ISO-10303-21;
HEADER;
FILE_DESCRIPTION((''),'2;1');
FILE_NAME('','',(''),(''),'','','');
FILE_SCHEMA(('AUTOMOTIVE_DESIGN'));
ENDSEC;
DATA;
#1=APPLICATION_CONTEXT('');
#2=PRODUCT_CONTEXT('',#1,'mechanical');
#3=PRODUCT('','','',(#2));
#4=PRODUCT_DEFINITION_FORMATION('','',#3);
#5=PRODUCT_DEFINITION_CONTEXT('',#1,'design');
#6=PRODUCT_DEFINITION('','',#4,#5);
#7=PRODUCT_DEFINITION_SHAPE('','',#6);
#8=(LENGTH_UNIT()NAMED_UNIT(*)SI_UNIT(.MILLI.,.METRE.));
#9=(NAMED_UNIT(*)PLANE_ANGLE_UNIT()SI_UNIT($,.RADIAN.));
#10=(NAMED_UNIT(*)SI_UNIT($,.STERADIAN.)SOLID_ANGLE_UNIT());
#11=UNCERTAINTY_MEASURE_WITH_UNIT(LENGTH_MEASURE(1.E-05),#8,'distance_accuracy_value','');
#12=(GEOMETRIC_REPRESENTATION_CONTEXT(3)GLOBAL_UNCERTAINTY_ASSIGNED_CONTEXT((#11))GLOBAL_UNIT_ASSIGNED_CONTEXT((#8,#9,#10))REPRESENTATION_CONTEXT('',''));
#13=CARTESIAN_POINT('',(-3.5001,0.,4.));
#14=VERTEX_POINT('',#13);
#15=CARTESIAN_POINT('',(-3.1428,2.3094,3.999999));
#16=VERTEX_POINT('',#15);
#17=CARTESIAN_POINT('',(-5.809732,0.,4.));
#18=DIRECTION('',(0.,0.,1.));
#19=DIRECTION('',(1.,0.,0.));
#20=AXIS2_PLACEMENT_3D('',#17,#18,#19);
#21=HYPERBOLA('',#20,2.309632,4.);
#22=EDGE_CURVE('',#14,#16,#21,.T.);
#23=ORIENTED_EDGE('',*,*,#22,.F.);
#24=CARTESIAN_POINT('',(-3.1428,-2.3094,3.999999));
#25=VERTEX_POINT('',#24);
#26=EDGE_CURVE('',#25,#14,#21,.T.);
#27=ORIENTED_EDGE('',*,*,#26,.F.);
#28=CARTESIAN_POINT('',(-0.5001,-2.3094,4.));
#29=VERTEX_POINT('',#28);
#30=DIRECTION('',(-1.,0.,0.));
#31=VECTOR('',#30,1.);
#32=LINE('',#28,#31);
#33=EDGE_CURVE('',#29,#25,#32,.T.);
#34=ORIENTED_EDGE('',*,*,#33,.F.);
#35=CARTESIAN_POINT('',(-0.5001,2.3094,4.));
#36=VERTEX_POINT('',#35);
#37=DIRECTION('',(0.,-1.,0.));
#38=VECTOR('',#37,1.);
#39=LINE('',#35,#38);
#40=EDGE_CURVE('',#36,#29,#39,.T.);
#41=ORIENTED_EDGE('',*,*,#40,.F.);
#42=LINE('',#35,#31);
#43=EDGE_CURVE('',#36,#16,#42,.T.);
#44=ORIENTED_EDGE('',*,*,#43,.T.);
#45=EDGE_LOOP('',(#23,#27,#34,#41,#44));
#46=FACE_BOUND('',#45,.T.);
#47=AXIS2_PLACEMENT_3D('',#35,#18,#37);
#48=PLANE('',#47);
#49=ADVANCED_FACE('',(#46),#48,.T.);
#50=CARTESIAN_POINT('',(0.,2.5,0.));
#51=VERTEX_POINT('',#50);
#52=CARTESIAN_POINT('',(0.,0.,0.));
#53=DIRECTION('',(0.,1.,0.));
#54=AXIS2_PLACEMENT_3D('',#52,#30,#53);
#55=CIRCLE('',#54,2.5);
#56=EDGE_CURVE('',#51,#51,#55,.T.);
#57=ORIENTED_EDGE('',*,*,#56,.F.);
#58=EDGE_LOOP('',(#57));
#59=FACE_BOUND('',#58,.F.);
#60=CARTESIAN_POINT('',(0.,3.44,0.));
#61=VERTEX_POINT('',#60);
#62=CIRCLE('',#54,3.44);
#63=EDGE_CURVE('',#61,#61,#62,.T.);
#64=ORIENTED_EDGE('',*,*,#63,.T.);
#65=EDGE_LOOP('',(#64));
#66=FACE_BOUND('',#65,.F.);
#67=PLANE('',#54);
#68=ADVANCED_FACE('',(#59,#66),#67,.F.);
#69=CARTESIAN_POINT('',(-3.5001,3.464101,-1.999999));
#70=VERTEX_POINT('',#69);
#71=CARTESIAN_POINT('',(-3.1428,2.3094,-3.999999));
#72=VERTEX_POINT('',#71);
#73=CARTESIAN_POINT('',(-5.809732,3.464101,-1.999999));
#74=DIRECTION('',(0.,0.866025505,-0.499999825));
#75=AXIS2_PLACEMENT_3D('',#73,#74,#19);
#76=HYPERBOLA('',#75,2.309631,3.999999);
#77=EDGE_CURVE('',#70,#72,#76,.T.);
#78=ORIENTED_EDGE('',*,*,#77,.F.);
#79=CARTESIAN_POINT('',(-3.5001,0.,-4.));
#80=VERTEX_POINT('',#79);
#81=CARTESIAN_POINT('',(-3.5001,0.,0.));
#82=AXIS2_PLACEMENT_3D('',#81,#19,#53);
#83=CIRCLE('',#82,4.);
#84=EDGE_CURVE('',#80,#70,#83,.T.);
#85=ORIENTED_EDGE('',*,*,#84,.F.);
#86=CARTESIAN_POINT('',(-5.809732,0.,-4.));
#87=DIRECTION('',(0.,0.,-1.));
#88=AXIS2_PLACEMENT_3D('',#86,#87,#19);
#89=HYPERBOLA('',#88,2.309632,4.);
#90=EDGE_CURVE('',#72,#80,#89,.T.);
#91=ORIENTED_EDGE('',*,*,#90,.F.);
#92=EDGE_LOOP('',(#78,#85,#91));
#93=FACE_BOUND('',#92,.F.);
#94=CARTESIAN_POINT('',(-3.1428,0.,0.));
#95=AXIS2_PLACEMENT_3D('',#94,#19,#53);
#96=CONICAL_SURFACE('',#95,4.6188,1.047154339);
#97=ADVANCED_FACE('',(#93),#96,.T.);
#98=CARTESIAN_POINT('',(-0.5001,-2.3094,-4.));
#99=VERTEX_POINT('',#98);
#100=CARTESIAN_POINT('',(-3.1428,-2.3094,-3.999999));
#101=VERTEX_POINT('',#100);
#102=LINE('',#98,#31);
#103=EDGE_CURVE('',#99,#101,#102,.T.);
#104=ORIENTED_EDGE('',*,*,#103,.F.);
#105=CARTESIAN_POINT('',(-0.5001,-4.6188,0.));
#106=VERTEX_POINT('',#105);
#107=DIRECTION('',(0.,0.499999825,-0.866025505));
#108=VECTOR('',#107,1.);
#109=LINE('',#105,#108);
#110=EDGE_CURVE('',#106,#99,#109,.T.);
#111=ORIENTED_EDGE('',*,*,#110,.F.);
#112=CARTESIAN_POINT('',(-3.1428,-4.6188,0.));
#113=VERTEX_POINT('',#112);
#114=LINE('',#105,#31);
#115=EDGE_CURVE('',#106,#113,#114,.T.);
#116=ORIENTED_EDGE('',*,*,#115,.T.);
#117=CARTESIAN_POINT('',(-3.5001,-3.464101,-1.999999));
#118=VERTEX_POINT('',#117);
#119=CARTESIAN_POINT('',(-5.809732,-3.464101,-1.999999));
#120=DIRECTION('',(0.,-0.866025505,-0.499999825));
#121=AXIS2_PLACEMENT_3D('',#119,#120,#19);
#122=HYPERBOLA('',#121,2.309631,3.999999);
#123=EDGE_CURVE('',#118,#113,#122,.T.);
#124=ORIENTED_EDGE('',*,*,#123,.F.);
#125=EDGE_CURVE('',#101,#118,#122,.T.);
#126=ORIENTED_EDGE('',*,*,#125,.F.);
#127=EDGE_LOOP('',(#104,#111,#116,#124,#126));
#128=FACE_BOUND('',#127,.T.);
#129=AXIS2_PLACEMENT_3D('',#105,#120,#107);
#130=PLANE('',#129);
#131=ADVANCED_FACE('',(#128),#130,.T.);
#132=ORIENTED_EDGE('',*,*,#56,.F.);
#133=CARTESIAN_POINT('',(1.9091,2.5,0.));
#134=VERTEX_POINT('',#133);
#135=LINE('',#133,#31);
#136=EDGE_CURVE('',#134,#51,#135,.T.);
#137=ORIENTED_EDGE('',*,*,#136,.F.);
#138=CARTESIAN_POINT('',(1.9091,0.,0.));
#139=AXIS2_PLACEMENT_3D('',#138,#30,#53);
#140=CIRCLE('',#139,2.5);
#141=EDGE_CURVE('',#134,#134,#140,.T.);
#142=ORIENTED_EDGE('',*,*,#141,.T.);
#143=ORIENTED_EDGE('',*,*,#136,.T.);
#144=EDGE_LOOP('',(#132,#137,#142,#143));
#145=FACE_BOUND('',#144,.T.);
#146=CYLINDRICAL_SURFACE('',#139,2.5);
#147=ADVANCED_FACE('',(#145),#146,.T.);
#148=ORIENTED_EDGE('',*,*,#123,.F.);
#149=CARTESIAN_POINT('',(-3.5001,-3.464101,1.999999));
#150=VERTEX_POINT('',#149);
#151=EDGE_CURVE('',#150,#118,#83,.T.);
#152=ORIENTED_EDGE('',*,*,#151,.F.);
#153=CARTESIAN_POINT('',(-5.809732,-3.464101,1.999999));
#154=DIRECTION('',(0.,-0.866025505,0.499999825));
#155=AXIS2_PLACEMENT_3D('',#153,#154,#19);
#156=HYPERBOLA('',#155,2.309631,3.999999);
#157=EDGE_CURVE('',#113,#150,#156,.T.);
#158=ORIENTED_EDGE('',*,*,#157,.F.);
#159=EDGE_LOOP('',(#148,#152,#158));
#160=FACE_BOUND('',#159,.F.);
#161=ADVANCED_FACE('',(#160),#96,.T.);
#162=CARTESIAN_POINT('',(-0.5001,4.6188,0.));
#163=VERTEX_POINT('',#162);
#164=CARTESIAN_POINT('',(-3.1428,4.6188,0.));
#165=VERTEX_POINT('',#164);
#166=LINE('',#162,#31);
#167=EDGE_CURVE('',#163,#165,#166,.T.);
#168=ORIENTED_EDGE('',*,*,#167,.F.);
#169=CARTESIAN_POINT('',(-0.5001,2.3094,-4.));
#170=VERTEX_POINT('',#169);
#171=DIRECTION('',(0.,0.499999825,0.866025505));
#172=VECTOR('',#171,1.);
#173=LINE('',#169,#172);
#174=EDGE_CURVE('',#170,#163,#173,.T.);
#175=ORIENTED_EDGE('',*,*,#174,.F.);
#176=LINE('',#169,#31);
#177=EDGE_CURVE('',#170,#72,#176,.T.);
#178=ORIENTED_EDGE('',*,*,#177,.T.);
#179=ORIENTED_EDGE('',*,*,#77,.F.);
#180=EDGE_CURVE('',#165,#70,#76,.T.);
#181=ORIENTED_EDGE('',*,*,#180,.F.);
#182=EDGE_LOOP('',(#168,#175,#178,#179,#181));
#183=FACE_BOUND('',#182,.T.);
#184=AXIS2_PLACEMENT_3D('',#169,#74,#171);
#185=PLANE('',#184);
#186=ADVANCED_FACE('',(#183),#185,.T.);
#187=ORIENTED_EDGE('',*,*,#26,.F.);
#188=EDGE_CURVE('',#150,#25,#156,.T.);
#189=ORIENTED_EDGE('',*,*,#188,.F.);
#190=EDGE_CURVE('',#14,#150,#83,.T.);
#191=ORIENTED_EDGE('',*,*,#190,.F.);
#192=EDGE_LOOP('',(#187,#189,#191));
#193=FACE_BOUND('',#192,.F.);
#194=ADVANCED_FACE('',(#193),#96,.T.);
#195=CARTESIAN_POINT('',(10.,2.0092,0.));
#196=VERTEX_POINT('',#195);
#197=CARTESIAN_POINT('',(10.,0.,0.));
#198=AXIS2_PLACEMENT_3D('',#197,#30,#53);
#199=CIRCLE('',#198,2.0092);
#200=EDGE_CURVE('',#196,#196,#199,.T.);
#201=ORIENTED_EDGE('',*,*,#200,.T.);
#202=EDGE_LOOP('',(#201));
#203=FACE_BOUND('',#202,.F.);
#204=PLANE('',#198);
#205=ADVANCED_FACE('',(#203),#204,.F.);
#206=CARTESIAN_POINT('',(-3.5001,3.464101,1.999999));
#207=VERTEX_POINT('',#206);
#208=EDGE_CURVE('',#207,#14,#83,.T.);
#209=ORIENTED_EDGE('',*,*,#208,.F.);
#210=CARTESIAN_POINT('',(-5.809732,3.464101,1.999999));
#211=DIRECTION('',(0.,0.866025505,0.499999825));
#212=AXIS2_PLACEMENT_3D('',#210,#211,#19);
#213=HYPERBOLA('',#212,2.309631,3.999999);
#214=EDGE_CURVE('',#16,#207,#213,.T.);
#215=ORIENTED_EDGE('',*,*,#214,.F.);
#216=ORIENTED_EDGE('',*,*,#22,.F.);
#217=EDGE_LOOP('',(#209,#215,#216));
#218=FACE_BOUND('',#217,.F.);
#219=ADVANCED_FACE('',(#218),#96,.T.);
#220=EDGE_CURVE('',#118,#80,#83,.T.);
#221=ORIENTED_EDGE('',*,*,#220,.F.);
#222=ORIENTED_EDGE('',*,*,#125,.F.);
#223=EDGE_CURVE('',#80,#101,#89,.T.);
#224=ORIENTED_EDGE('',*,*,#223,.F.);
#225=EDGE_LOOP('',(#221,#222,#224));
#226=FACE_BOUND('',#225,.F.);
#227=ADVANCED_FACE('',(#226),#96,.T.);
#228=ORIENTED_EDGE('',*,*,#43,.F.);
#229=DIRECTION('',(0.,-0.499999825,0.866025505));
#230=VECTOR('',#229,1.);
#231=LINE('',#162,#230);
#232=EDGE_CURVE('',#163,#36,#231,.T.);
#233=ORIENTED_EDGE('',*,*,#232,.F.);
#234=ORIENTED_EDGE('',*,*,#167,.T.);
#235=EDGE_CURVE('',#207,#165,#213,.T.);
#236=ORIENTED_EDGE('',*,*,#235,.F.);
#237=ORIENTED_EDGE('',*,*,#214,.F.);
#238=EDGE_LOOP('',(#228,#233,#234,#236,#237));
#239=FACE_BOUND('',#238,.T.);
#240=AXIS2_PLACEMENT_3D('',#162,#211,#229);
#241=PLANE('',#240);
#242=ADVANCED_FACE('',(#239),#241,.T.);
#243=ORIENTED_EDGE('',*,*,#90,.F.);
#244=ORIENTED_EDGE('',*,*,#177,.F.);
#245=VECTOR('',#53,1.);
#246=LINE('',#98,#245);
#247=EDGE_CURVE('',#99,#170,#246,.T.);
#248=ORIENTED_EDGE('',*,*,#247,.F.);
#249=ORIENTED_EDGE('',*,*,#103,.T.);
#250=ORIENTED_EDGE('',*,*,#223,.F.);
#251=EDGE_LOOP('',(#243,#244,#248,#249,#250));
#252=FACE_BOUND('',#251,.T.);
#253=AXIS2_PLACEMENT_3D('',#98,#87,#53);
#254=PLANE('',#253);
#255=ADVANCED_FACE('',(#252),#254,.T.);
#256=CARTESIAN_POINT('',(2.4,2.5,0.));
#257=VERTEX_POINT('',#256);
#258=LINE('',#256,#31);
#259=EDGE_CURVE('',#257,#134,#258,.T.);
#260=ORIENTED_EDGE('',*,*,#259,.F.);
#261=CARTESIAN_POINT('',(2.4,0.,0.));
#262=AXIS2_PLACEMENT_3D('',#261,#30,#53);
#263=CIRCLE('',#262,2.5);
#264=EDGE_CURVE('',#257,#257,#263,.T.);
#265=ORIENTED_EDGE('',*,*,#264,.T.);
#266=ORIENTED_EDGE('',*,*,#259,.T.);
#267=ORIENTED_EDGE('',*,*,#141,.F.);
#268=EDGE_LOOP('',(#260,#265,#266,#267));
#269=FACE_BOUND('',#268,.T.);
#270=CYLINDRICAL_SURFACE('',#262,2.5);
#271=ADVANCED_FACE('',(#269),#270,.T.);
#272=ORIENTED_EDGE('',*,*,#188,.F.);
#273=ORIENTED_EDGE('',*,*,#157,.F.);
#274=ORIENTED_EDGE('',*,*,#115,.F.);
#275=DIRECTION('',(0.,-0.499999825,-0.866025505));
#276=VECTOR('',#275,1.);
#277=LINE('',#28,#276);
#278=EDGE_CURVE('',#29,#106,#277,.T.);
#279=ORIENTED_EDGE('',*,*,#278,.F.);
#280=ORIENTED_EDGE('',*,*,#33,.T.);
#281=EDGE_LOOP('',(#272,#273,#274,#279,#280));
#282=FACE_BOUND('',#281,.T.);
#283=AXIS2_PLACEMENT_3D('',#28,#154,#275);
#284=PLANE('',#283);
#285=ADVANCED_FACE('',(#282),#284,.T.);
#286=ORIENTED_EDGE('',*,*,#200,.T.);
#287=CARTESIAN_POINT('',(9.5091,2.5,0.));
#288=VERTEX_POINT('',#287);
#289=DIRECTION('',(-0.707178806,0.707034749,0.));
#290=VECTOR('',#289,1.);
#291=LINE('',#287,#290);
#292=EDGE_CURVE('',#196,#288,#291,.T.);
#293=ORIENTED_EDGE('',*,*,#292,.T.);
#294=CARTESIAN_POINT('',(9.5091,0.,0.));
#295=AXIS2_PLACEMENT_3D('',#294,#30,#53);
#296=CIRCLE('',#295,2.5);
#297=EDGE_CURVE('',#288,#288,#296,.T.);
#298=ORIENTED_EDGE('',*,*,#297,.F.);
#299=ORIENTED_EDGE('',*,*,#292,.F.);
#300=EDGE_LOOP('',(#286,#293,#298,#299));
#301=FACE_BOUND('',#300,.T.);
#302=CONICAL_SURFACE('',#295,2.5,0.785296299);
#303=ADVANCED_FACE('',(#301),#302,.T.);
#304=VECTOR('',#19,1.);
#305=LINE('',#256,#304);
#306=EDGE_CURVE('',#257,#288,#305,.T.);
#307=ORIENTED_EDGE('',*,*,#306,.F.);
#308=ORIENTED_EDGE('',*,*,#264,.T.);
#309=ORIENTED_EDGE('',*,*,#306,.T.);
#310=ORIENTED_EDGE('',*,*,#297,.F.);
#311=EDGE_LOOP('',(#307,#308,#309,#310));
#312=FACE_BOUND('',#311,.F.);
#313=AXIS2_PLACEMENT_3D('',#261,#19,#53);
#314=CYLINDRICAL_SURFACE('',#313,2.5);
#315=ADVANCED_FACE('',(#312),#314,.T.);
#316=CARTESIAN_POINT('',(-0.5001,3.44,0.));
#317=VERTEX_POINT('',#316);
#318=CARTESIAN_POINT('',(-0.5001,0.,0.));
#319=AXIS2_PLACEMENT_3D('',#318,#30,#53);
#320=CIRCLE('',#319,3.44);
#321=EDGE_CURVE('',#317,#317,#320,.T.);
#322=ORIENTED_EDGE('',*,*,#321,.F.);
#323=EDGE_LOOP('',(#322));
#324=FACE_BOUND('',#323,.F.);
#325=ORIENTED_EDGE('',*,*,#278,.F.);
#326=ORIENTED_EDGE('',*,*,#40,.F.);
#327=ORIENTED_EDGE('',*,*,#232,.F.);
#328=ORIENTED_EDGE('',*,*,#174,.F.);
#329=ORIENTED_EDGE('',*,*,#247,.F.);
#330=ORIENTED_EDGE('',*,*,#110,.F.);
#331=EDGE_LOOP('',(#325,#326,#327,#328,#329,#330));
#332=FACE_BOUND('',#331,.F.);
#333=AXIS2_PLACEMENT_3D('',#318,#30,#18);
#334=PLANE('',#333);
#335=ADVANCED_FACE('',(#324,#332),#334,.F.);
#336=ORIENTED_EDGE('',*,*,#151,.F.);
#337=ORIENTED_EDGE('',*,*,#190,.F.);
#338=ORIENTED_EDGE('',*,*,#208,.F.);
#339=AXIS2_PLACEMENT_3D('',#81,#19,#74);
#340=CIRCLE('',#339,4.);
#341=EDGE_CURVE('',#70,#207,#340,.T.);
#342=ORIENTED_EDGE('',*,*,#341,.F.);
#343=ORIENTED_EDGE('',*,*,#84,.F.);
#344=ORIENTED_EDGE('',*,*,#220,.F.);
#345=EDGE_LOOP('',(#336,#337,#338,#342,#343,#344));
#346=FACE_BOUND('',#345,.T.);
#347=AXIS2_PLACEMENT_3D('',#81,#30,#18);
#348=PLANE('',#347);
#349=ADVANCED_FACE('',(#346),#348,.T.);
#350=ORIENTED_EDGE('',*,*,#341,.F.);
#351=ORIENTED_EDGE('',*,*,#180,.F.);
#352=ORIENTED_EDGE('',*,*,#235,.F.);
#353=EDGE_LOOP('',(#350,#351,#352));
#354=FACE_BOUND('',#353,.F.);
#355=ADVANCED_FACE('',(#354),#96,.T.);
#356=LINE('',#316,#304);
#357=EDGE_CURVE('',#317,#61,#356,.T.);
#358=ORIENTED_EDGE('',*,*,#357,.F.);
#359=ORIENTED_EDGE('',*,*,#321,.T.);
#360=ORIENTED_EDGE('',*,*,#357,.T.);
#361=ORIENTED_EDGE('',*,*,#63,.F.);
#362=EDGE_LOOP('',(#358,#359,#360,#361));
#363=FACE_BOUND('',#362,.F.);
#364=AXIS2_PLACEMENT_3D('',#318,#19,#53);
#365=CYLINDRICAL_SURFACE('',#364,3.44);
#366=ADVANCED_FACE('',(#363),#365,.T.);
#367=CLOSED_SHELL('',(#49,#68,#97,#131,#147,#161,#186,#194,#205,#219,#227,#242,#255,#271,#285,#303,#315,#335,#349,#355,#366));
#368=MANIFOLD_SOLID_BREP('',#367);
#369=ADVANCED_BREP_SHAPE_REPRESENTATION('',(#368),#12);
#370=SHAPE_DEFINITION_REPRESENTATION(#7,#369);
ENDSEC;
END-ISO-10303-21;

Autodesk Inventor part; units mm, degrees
ref_plane "YZ Plane" through (0, 0, 0) normal (1, 0, 0) x (0, 1, 0)
ref_plane "XZ Plane" through (0, 0, 0) normal (0, 1, 0) x (-1, 0, 0)
sketch "Skizze1" plane through (0, 0, 0) normal (0, 0, 1) x (1, 0, 0)
  line L0 (0, 3.44) -> (0, 2.5)
  line L1 (2.4, 2.5) -> (10, 2.5)
  line L2 (10, 2.5) -> (10, 0)
  line L3 (10, 0) -> (-0.5001, 0)
  line L4 (-2.6001, 0) -> (12.1, 0) projected
  line L5 (-0.5001, 0) -> (-0.5001, 3.44)
  line L6 (-0.5001, 3.44) -> (0, 3.44)
  line L7 (2.4, 2.5) -> (1.9091, 2.5)
  line L8 (1.9091, 2.5) -> (0, 2.5)
  line L9 (0, -0.688) -> (0, 4.128) projected
  dimension "d0" = 10
  dimension "d1" = 7.6
  dimension "d2" = 5
  dimension "d9" = 0.5001
  dimension "d10" = 6.88
  dimension "d13" = 0.4909
  dimension "d14" = 5
revolve "Körper" add sketch "Skizze1" angle 360 about axis through (10, 0, 0) along (-1, 0, 0)
sketch "Skizze2" plane through (-0.5001, 0, 0) normal (-1, 0, 0) x (0, 0, 1)
  line L0 (0, 4.6188) -> (4, 2.3094)
  line L1 (4, 2.3094) -> (4, -2.3094)
  line L2 (4, -2.3094) -> (0, -4.6188)
  line L3 (0, -4.6188) -> (-4, -2.3094)
  line L4 (-4, -2.3094) -> (-4, 2.3094)
  line L5 (-4, 2.3094) -> (0, 4.6188)
  point P0 (0, 0)
  point P1 (0, 0)
  dimension "d11" = 8
extrude "Kopf" add sketch "Skizze2" along normal blind 3
sketch "Skizze4" plane through (0, 0, 0) normal (0, 0, 1) x (1, 0, 0)
  line L0 (-3.5001, 4) -> (-3.5001, 4.6188)
  line L1 (-3.5001, 4.6188) -> (-3.1428, 4.6188)
  line L2 (-3.1428, 4.6188) -> (-3.5001, 4)
  line L3 (-4.1001, 0) -> (0.0999, 0) projected
  line L4 (-0.5001, 4.6188) -> (-3.5001, 4.6188) projected
  line L5 (-3.5001, 2.3094) -> (-3.5001, 4.6188) projected
  dimension "d5" = 30
  dimension "d19" = 8
revolve "Fase1" cut sketch "Skizze4" angle 360 about axis through (-10, 0, 0) along (1, 0, 0)
thread "Gewinde" size "M5x0.8" class "6g" standard "ISO Metric profile" length 7.6
chamfer "Fase2" distance 0.4908 distance2 0.4909 1 edges at (10, -2.5, 0) measured on face at (10, -0.7379, 0.3873)
ref_plane "Work Plane1" through (1.525, 0, 0) normal (0, 0, 1) x (1, 0, 0)
equation "\"d11\" = SW"
equation "\"d3\" = KOH - SD"
equation "\"d15\" = GEL"
equation "\"d6\" = -0.5 * SPD + 0.5 * GD"
equation "\"d0\" = NLG"
equation "\"d1\" = GEL"
equation "\"d2\" = GD"
equation "\"d10\" = SD2"
equation "\"d14\" = BDM"
equation "\"d5\" = ANG1"
equation "\"d19\" = SW0"
equation "\"NLG\" = 10"
equation "\"GD\" = NND"
equation "\"BDM\" = NND"
equation "\"KOH\" = 3.5"
equation "\"GEL\" = 7.6"
equation "\"SW\" = 8"
equation "\"SW0\" = SW"
equation "\"SPD\" = NND - 1.2269 * PTC"
equation "\"SD2\" = 6.88"
equation "\"SD\" = 0.5"
equation "\"ANG1\" = 30deg"
equation "\"GAL\" = 0.61345 * PTC"
equation "\"GUL\" = 0.61345 * PTC"
equation "\"RR\" = 0.2"
equation "\"GD1\" = THREADDIA - 1.2269 * PTC"
equation "\"THREADDIA\" = 5"
equation "\"SDH\" = SD2"
equation "\"SDHG\" = 2.4"
equation "\"TOA\" = 30deg"
equation "\"PTC\" = 0.8"
equation "\"NND\" = 5"
equation "\"E0\" = 9.24"
properties part number "ISO 4017 - M5 x 10" material "Edelstahl, 440C"
